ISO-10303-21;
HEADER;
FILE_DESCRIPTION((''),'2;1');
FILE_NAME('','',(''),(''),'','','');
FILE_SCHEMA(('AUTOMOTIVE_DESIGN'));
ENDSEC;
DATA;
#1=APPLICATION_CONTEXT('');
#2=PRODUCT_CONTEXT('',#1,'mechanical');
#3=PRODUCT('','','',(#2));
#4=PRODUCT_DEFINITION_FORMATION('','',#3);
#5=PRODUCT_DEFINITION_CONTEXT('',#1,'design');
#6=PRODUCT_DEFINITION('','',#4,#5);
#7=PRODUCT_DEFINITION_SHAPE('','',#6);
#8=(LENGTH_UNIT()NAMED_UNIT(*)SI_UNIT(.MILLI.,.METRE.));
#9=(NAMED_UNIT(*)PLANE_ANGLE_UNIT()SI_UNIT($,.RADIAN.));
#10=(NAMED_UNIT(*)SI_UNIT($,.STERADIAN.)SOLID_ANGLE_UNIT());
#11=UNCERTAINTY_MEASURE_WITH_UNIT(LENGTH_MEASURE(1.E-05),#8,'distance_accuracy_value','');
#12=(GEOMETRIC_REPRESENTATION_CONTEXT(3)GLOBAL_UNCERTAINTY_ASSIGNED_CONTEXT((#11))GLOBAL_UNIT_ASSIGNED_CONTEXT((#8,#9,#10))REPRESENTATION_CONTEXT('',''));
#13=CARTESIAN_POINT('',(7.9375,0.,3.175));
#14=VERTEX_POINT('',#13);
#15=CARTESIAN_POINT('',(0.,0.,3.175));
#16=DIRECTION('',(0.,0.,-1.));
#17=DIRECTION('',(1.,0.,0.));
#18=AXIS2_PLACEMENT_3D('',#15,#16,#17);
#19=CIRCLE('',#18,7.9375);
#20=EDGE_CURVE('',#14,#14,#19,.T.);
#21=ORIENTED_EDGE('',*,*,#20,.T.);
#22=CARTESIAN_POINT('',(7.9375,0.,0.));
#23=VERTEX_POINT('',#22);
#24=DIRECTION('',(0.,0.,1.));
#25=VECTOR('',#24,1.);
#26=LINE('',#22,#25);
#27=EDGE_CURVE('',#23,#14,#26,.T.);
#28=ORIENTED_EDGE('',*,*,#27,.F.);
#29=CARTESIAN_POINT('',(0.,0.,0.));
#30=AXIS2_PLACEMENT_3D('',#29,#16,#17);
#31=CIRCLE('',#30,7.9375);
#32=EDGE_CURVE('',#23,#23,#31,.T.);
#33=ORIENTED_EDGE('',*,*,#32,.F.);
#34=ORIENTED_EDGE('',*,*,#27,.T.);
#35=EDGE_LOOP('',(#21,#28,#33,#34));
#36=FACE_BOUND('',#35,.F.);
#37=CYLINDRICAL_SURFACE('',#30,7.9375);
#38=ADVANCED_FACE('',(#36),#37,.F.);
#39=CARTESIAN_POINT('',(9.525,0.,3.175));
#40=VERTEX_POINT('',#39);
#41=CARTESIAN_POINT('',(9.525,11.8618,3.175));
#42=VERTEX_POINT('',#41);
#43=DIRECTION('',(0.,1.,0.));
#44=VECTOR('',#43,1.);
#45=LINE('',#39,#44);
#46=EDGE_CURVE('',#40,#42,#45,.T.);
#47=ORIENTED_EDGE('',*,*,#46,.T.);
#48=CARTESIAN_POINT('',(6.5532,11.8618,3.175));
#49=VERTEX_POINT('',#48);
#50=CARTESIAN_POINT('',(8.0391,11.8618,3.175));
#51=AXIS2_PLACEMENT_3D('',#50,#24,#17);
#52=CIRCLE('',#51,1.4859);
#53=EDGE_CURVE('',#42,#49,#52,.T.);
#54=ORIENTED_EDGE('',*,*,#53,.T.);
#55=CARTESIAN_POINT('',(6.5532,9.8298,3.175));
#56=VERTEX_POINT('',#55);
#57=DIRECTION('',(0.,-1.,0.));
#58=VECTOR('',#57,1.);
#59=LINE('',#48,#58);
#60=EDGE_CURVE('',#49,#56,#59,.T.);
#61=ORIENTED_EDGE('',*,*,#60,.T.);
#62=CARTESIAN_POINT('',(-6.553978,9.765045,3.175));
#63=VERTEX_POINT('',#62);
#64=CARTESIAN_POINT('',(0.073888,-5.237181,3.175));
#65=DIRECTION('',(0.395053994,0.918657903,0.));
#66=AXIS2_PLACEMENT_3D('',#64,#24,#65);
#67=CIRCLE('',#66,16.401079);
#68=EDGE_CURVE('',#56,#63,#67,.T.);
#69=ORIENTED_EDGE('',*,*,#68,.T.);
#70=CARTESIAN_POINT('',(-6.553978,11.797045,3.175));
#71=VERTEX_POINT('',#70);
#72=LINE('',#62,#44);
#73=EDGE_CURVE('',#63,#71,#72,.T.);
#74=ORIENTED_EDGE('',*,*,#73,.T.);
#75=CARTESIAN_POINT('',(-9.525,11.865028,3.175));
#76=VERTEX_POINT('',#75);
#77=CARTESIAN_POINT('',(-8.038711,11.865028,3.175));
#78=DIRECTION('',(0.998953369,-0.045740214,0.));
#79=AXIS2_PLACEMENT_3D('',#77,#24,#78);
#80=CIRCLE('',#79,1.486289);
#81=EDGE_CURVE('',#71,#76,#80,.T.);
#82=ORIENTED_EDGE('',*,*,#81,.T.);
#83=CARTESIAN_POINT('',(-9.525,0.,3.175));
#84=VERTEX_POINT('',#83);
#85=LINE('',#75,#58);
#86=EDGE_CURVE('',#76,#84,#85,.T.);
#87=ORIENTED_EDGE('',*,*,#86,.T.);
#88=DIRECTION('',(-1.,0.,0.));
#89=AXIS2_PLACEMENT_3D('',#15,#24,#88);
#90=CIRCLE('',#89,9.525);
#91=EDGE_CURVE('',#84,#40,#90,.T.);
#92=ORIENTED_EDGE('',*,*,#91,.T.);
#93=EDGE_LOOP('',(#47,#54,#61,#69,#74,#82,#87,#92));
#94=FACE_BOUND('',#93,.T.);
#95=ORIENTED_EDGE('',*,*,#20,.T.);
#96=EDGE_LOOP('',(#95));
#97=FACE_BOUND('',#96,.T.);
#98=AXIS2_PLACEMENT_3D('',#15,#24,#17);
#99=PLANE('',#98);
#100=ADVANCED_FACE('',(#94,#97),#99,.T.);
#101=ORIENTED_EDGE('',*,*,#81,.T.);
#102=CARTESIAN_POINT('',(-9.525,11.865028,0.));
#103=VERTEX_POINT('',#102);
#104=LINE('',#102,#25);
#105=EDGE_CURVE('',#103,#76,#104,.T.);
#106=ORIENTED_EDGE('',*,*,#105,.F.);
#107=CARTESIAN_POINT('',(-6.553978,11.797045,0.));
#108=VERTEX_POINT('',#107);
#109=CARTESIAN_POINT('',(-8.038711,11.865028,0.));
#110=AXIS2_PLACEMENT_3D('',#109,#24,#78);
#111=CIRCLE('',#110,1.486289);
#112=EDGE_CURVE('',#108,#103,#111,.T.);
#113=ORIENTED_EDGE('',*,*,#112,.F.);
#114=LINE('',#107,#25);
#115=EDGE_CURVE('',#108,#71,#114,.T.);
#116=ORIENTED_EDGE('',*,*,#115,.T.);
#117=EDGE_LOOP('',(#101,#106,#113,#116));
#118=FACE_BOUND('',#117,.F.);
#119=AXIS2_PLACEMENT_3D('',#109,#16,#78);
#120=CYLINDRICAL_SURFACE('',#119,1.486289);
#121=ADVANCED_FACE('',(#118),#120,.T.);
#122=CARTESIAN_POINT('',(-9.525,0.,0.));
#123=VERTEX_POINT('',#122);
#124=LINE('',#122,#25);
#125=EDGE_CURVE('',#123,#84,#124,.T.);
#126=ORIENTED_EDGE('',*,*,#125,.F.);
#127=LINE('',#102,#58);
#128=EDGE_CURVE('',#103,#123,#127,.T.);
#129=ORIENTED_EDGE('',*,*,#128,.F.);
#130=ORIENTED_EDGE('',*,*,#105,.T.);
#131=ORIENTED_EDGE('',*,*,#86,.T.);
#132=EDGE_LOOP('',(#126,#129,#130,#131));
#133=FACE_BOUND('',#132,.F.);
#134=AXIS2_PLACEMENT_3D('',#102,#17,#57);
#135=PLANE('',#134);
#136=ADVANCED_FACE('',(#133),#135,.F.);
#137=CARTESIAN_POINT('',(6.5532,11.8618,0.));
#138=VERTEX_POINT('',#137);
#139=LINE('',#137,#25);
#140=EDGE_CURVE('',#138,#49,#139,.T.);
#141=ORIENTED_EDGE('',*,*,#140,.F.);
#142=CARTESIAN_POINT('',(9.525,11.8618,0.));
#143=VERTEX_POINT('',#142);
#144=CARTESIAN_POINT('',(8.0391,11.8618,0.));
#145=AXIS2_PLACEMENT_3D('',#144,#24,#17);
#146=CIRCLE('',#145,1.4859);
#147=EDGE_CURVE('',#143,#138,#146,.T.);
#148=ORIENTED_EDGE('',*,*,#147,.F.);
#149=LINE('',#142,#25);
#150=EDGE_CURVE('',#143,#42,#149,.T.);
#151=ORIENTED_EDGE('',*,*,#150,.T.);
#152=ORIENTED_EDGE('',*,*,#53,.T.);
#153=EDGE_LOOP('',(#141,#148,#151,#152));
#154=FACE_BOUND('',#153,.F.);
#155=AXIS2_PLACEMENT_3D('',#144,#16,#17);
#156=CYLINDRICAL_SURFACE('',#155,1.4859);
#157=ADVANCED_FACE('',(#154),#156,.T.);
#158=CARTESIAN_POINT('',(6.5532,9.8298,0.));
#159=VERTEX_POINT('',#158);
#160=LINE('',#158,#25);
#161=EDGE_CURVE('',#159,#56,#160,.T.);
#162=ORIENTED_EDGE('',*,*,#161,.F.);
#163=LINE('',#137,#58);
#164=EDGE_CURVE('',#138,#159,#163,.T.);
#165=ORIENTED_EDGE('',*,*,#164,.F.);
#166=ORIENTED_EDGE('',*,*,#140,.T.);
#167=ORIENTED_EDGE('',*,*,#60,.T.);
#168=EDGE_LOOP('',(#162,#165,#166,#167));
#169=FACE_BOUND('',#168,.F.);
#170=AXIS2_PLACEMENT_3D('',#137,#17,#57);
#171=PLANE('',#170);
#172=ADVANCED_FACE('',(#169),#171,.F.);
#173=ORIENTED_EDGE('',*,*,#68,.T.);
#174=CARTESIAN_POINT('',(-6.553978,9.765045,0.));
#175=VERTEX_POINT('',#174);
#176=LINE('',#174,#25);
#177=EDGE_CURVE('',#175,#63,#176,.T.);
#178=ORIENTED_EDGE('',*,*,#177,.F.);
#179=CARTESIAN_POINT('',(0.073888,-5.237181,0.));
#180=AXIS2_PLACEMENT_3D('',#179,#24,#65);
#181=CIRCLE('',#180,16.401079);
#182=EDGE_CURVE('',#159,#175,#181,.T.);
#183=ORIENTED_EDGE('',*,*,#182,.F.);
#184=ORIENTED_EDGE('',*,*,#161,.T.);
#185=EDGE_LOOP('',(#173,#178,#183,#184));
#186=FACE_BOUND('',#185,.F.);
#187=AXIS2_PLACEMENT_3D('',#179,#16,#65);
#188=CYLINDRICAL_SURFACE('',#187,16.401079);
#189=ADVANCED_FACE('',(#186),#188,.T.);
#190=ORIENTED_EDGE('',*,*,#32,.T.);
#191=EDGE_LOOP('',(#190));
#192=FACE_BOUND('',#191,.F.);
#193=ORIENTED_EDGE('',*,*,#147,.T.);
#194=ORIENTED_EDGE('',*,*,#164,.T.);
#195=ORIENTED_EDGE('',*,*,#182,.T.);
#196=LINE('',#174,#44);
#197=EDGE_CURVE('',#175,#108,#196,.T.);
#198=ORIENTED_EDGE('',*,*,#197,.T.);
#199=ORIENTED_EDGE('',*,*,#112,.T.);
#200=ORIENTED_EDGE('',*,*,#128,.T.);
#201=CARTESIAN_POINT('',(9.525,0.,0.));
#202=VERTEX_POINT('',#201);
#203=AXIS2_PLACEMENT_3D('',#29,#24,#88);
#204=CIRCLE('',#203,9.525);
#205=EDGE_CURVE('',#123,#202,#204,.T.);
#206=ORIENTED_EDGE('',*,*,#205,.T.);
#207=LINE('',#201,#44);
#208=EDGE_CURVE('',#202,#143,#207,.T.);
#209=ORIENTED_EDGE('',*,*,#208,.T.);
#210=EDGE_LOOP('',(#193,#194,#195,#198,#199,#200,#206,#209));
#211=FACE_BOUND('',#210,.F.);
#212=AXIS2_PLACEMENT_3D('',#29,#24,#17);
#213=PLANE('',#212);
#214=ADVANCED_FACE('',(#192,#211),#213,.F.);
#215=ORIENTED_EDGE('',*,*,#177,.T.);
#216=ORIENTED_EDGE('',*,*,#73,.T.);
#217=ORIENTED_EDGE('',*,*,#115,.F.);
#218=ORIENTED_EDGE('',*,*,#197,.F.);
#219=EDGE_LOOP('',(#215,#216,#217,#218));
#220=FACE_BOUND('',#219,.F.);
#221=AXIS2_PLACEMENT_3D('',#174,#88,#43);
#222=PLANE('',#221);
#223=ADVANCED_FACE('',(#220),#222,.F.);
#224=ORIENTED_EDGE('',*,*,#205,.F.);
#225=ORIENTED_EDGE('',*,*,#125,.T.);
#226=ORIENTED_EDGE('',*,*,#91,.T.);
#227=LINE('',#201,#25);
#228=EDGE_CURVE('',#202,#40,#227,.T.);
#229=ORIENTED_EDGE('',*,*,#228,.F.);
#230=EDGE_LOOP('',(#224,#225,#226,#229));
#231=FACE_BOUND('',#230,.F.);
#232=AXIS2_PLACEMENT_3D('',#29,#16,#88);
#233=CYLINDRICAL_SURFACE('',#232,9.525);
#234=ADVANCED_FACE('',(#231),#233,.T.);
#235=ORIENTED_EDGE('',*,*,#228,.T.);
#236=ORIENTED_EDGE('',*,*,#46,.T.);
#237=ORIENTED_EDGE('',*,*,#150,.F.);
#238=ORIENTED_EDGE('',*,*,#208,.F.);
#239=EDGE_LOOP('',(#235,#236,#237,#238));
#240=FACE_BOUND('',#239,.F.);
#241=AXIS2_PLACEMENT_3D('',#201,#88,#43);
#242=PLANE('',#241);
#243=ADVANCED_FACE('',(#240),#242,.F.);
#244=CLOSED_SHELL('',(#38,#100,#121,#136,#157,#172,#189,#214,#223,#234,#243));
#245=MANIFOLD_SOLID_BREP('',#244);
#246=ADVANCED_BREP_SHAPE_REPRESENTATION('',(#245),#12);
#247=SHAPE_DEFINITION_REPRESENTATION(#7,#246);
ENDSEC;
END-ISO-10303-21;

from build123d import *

# Parameters (mm, degrees)
F1_DEPTH = 3.175


with BuildPart() as f1:
    # F0 (on Top) → F1 (new body)
    with BuildSketch(Plane.XY):
        with BuildLine():
            ThreePointArc((9.525, 0), (0, 9.525), (-9.525, 0))
            ThreePointArc((-9.525, 0), (0, -9.525), (9.525, 0))
        make_face()
        with BuildLine():
            ThreePointArc((-7.9375, 0), (0, 7.9375), (7.9375, 0))
            ThreePointArc((7.9375, 0), (0, -7.9375), (-7.9375, 0))
        make_face(mode=Mode.SUBTRACT)
        with BuildLine():
            Line((-9.525, 11.865028), (-9.525, 0))
            ThreePointArc((-9.525, 0), (0, 9.525), (9.525, 0))
            Line((9.525, 0), (9.525, 11.8618))
            Line((9.525, 11.8618), (6.5532, 11.8618))
            Line((6.5532, 11.8618), (6.5532, 9.8298))
            ThreePointArc((6.5532, 9.8298), (-0.007139, 11.163698), (-6.553978, 9.765045))
            Line((-6.553978, 9.765045), (-6.553978, 11.797045))
            Line((-6.553978, 11.797045), (-9.525, 11.865028))
        make_face()
        with BuildLine():
            ThreePointArc((-6.553978, 11.797045), (-8.00471, 13.350928), (-9.525, 11.865028))
            Line((-9.525, 11.865028), (-6.553978, 11.797045))
        make_face()
        with BuildLine():
            Line((6.5532, 11.8618), (9.525, 11.8618))
            ThreePointArc((9.525, 11.8618), (8.0391, 13.3477), (6.5532, 11.8618))
        make_face()
    extrude(amount=F1_DEPTH)


solid = f1.part
